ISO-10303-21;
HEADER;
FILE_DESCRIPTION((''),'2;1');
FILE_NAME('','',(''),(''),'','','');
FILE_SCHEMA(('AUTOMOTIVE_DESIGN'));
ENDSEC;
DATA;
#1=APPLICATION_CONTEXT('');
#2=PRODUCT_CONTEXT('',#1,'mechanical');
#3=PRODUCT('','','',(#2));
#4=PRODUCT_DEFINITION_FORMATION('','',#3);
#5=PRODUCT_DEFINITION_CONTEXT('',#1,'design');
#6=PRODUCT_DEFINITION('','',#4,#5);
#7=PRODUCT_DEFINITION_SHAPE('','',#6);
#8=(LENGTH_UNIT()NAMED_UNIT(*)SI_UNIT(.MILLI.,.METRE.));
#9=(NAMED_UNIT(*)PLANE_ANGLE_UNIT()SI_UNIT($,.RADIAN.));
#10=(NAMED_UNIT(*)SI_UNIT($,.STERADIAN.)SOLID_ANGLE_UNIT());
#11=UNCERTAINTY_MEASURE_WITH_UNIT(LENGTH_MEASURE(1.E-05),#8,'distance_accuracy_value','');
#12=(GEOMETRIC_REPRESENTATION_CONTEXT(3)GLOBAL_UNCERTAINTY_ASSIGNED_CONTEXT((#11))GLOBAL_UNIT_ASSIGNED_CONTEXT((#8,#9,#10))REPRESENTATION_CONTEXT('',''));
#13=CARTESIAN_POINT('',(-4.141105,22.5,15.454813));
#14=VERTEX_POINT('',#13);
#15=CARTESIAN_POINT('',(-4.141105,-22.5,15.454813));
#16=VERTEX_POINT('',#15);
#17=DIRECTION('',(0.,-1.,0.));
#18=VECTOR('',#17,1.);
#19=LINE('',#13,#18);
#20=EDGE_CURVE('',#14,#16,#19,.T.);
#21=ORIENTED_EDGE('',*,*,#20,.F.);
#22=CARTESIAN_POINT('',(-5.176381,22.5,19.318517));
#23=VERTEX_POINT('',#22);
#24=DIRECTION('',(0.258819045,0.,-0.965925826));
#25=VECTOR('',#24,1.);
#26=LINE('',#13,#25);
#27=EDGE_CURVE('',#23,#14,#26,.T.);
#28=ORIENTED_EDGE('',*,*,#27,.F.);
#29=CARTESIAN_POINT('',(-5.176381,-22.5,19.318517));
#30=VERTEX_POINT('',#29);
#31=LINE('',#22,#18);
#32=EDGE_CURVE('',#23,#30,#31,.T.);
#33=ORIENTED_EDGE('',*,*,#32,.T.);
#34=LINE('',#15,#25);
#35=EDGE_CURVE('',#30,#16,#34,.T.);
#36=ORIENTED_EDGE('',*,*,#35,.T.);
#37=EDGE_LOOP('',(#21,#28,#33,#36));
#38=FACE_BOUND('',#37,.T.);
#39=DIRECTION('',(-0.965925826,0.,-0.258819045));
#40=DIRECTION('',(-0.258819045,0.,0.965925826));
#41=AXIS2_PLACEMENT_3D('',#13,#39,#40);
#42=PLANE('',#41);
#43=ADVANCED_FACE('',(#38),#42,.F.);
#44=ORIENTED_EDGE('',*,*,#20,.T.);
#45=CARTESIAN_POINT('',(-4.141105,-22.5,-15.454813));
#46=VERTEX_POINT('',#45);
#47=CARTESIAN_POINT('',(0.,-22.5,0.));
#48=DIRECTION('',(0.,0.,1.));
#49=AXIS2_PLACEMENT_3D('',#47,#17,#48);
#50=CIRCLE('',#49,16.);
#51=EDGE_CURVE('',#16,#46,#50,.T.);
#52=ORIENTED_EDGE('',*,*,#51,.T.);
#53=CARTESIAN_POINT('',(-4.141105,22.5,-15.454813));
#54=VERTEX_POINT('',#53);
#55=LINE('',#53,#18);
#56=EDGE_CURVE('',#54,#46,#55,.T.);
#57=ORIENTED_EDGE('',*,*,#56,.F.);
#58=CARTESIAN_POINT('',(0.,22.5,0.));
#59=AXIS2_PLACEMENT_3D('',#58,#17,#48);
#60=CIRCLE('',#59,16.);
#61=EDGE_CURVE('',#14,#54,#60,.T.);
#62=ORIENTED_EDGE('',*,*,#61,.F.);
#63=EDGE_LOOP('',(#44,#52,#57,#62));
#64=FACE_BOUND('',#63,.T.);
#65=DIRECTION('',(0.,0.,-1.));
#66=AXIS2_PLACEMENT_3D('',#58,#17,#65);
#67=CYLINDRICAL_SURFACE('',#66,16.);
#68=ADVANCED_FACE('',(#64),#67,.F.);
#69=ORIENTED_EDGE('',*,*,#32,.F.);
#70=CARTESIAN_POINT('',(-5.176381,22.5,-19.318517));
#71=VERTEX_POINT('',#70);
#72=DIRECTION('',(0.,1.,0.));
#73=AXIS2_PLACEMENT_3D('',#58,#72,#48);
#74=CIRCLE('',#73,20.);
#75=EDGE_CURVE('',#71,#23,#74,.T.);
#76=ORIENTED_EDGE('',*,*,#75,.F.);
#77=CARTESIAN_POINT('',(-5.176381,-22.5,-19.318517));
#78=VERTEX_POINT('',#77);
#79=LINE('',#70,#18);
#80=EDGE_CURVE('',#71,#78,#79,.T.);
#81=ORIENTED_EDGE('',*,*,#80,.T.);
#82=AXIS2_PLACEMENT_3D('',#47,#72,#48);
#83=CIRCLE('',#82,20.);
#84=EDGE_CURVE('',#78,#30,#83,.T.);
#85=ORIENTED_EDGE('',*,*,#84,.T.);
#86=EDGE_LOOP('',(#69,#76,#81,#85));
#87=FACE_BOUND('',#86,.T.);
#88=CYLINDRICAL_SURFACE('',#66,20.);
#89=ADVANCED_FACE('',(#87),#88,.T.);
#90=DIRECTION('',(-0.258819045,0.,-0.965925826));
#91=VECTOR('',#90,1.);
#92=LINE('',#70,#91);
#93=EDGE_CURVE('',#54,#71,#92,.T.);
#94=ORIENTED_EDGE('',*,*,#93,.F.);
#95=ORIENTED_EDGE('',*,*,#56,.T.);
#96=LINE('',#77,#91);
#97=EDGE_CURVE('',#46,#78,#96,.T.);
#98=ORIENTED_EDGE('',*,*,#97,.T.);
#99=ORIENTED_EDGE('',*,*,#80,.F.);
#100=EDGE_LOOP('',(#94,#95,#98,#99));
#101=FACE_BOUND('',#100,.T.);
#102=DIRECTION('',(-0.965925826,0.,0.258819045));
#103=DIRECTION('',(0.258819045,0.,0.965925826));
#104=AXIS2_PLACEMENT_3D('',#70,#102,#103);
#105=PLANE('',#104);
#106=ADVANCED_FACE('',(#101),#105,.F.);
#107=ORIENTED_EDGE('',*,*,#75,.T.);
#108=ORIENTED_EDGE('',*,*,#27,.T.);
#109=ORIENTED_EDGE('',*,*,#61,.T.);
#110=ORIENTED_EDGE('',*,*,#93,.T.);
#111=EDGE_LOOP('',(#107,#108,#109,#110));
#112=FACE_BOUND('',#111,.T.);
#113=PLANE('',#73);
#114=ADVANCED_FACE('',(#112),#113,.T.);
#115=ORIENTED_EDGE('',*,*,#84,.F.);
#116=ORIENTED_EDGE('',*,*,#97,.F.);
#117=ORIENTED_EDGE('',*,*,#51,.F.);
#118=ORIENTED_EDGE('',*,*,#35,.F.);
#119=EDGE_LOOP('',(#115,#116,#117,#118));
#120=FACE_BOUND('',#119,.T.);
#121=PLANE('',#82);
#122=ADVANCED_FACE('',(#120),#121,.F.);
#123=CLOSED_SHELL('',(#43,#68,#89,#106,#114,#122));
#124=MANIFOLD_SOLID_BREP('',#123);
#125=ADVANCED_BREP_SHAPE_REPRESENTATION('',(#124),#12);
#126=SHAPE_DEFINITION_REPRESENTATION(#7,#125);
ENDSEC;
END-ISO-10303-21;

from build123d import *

# Parameters (mm, degrees)
BOSS_EXTRUDE1_DEPTH = 22.5


with BuildPart() as part:
    # Sketch1 → Boss-Extrude1 (new, symmetric)
    with BuildSketch(Plane(origin=(0, 0, 0), x_dir=(1, 0, 0), z_dir=(0, 1, 0))):
        with BuildLine():
            Line((-4.141104722, -15.454813221), (-5.176380902, -19.318516526))
            ThreePointArc((-5.176380902, -19.318516526), (-20, 0), (-5.176380902, 19.318516526))
            Line((-5.176380902, 19.318516526), (-4.141104722, 15.454813221))
            ThreePointArc((-4.141104722, 15.454813221), (-16, 0), (-4.141104722, -15.454813221))
        make_face()
    extrude(amount=BOSS_EXTRUDE1_DEPTH, both=True)


solid = part.part
